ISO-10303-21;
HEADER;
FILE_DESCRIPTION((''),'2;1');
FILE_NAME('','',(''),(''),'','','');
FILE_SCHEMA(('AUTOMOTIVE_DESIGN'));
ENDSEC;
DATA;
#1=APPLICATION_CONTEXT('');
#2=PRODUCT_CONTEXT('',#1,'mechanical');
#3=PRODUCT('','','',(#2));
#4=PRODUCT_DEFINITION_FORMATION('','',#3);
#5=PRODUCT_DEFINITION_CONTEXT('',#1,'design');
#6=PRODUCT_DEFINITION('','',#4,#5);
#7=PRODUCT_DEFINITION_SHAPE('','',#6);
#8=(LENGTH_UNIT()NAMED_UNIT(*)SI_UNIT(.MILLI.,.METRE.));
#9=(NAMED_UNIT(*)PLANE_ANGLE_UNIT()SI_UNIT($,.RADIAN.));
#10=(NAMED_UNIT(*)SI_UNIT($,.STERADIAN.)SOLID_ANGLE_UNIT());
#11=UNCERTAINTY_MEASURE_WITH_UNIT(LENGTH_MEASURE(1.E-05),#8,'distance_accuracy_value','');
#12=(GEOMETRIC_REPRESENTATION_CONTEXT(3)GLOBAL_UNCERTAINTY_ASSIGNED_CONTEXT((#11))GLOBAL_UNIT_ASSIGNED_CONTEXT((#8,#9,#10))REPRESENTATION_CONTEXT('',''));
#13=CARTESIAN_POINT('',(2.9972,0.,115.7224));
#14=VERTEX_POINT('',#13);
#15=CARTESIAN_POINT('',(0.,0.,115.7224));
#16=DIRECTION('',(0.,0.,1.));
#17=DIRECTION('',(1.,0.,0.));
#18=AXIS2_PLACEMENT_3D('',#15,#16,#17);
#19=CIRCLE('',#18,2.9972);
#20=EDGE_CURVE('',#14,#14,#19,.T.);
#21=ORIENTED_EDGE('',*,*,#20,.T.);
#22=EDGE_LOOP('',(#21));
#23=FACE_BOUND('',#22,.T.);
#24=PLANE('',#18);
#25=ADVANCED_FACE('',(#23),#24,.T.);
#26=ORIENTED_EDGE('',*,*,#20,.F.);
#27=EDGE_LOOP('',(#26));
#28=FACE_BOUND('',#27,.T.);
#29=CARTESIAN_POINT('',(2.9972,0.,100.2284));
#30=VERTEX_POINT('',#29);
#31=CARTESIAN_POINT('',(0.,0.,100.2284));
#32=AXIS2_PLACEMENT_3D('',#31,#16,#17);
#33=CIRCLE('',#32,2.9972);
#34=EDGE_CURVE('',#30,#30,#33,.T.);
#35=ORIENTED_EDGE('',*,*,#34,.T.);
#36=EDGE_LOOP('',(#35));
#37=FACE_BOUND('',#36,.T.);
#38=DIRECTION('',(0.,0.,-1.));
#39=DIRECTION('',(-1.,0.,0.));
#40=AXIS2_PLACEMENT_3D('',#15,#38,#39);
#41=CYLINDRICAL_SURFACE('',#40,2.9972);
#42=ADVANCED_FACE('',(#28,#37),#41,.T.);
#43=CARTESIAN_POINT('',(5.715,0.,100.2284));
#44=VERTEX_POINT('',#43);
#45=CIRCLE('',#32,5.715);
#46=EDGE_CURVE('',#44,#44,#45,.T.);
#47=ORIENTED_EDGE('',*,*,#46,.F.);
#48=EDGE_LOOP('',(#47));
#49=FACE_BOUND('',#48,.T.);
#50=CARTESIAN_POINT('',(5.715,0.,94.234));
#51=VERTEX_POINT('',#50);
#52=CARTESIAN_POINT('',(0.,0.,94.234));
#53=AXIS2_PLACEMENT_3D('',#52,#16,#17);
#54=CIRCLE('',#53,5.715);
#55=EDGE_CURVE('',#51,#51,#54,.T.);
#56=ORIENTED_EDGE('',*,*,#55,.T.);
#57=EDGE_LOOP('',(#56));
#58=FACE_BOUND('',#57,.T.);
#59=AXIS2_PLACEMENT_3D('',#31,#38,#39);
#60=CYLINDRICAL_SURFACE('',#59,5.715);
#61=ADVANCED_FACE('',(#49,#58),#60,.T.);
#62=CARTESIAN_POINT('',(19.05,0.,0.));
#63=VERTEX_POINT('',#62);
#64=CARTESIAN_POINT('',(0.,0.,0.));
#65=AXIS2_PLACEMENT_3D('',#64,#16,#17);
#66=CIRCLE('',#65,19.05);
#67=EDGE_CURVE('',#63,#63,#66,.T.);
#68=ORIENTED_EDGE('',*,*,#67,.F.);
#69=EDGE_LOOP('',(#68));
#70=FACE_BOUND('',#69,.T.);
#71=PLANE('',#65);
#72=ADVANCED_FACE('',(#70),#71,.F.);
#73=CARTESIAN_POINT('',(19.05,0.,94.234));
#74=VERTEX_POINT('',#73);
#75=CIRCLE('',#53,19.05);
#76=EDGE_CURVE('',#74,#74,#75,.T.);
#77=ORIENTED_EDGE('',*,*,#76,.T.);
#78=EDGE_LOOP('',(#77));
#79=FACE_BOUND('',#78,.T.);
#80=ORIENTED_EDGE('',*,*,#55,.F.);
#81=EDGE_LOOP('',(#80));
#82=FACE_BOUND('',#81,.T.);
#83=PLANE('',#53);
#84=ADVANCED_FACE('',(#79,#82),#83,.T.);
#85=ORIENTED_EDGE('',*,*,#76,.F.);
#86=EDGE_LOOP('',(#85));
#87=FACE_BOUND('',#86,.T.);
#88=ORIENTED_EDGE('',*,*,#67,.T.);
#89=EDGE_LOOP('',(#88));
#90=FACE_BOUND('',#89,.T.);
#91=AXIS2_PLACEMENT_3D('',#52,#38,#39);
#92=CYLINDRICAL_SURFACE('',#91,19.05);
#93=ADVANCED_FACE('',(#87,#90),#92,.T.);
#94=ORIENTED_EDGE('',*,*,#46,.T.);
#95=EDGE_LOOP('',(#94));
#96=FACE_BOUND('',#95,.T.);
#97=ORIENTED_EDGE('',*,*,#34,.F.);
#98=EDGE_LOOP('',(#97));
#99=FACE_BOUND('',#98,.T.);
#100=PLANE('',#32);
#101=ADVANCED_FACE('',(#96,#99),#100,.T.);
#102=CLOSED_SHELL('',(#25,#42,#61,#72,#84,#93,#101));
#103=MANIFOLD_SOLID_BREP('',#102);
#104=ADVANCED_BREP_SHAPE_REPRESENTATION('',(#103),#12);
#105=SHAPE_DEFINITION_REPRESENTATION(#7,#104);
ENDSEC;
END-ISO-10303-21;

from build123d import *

# Parameters (mm, degrees)
SKETCH1_R           = 19.05
BOSS_EXTRUDE1_DEPTH = 94.234
SKETCH2_R           = 5.715
BOSS_EXTRUDE2_DEPTH = 5.9944
SKETCH3_R           = 2.9972
BOSS_EXTRUDE3_DEPTH = 15.494


with BuildPart() as part:
    # Sketch1 → Boss-Extrude1 (new body)
    with BuildSketch(Plane.XY):
        Circle(SKETCH1_R)
    extrude(amount=BOSS_EXTRUDE1_DEPTH)

    # Sketch2 → Boss-Extrude2 (add)
    with BuildSketch(Plane.XY.offset(94.234)):
        Circle(SKETCH2_R)
    extrude(amount=BOSS_EXTRUDE2_DEPTH)

    # Sketch3 → Boss-Extrude3 (add)
    with BuildSketch(Plane.XY.offset(100.2284)):
        Circle(SKETCH3_R)
    extrude(amount=BOSS_EXTRUDE3_DEPTH)


solid = part.part
